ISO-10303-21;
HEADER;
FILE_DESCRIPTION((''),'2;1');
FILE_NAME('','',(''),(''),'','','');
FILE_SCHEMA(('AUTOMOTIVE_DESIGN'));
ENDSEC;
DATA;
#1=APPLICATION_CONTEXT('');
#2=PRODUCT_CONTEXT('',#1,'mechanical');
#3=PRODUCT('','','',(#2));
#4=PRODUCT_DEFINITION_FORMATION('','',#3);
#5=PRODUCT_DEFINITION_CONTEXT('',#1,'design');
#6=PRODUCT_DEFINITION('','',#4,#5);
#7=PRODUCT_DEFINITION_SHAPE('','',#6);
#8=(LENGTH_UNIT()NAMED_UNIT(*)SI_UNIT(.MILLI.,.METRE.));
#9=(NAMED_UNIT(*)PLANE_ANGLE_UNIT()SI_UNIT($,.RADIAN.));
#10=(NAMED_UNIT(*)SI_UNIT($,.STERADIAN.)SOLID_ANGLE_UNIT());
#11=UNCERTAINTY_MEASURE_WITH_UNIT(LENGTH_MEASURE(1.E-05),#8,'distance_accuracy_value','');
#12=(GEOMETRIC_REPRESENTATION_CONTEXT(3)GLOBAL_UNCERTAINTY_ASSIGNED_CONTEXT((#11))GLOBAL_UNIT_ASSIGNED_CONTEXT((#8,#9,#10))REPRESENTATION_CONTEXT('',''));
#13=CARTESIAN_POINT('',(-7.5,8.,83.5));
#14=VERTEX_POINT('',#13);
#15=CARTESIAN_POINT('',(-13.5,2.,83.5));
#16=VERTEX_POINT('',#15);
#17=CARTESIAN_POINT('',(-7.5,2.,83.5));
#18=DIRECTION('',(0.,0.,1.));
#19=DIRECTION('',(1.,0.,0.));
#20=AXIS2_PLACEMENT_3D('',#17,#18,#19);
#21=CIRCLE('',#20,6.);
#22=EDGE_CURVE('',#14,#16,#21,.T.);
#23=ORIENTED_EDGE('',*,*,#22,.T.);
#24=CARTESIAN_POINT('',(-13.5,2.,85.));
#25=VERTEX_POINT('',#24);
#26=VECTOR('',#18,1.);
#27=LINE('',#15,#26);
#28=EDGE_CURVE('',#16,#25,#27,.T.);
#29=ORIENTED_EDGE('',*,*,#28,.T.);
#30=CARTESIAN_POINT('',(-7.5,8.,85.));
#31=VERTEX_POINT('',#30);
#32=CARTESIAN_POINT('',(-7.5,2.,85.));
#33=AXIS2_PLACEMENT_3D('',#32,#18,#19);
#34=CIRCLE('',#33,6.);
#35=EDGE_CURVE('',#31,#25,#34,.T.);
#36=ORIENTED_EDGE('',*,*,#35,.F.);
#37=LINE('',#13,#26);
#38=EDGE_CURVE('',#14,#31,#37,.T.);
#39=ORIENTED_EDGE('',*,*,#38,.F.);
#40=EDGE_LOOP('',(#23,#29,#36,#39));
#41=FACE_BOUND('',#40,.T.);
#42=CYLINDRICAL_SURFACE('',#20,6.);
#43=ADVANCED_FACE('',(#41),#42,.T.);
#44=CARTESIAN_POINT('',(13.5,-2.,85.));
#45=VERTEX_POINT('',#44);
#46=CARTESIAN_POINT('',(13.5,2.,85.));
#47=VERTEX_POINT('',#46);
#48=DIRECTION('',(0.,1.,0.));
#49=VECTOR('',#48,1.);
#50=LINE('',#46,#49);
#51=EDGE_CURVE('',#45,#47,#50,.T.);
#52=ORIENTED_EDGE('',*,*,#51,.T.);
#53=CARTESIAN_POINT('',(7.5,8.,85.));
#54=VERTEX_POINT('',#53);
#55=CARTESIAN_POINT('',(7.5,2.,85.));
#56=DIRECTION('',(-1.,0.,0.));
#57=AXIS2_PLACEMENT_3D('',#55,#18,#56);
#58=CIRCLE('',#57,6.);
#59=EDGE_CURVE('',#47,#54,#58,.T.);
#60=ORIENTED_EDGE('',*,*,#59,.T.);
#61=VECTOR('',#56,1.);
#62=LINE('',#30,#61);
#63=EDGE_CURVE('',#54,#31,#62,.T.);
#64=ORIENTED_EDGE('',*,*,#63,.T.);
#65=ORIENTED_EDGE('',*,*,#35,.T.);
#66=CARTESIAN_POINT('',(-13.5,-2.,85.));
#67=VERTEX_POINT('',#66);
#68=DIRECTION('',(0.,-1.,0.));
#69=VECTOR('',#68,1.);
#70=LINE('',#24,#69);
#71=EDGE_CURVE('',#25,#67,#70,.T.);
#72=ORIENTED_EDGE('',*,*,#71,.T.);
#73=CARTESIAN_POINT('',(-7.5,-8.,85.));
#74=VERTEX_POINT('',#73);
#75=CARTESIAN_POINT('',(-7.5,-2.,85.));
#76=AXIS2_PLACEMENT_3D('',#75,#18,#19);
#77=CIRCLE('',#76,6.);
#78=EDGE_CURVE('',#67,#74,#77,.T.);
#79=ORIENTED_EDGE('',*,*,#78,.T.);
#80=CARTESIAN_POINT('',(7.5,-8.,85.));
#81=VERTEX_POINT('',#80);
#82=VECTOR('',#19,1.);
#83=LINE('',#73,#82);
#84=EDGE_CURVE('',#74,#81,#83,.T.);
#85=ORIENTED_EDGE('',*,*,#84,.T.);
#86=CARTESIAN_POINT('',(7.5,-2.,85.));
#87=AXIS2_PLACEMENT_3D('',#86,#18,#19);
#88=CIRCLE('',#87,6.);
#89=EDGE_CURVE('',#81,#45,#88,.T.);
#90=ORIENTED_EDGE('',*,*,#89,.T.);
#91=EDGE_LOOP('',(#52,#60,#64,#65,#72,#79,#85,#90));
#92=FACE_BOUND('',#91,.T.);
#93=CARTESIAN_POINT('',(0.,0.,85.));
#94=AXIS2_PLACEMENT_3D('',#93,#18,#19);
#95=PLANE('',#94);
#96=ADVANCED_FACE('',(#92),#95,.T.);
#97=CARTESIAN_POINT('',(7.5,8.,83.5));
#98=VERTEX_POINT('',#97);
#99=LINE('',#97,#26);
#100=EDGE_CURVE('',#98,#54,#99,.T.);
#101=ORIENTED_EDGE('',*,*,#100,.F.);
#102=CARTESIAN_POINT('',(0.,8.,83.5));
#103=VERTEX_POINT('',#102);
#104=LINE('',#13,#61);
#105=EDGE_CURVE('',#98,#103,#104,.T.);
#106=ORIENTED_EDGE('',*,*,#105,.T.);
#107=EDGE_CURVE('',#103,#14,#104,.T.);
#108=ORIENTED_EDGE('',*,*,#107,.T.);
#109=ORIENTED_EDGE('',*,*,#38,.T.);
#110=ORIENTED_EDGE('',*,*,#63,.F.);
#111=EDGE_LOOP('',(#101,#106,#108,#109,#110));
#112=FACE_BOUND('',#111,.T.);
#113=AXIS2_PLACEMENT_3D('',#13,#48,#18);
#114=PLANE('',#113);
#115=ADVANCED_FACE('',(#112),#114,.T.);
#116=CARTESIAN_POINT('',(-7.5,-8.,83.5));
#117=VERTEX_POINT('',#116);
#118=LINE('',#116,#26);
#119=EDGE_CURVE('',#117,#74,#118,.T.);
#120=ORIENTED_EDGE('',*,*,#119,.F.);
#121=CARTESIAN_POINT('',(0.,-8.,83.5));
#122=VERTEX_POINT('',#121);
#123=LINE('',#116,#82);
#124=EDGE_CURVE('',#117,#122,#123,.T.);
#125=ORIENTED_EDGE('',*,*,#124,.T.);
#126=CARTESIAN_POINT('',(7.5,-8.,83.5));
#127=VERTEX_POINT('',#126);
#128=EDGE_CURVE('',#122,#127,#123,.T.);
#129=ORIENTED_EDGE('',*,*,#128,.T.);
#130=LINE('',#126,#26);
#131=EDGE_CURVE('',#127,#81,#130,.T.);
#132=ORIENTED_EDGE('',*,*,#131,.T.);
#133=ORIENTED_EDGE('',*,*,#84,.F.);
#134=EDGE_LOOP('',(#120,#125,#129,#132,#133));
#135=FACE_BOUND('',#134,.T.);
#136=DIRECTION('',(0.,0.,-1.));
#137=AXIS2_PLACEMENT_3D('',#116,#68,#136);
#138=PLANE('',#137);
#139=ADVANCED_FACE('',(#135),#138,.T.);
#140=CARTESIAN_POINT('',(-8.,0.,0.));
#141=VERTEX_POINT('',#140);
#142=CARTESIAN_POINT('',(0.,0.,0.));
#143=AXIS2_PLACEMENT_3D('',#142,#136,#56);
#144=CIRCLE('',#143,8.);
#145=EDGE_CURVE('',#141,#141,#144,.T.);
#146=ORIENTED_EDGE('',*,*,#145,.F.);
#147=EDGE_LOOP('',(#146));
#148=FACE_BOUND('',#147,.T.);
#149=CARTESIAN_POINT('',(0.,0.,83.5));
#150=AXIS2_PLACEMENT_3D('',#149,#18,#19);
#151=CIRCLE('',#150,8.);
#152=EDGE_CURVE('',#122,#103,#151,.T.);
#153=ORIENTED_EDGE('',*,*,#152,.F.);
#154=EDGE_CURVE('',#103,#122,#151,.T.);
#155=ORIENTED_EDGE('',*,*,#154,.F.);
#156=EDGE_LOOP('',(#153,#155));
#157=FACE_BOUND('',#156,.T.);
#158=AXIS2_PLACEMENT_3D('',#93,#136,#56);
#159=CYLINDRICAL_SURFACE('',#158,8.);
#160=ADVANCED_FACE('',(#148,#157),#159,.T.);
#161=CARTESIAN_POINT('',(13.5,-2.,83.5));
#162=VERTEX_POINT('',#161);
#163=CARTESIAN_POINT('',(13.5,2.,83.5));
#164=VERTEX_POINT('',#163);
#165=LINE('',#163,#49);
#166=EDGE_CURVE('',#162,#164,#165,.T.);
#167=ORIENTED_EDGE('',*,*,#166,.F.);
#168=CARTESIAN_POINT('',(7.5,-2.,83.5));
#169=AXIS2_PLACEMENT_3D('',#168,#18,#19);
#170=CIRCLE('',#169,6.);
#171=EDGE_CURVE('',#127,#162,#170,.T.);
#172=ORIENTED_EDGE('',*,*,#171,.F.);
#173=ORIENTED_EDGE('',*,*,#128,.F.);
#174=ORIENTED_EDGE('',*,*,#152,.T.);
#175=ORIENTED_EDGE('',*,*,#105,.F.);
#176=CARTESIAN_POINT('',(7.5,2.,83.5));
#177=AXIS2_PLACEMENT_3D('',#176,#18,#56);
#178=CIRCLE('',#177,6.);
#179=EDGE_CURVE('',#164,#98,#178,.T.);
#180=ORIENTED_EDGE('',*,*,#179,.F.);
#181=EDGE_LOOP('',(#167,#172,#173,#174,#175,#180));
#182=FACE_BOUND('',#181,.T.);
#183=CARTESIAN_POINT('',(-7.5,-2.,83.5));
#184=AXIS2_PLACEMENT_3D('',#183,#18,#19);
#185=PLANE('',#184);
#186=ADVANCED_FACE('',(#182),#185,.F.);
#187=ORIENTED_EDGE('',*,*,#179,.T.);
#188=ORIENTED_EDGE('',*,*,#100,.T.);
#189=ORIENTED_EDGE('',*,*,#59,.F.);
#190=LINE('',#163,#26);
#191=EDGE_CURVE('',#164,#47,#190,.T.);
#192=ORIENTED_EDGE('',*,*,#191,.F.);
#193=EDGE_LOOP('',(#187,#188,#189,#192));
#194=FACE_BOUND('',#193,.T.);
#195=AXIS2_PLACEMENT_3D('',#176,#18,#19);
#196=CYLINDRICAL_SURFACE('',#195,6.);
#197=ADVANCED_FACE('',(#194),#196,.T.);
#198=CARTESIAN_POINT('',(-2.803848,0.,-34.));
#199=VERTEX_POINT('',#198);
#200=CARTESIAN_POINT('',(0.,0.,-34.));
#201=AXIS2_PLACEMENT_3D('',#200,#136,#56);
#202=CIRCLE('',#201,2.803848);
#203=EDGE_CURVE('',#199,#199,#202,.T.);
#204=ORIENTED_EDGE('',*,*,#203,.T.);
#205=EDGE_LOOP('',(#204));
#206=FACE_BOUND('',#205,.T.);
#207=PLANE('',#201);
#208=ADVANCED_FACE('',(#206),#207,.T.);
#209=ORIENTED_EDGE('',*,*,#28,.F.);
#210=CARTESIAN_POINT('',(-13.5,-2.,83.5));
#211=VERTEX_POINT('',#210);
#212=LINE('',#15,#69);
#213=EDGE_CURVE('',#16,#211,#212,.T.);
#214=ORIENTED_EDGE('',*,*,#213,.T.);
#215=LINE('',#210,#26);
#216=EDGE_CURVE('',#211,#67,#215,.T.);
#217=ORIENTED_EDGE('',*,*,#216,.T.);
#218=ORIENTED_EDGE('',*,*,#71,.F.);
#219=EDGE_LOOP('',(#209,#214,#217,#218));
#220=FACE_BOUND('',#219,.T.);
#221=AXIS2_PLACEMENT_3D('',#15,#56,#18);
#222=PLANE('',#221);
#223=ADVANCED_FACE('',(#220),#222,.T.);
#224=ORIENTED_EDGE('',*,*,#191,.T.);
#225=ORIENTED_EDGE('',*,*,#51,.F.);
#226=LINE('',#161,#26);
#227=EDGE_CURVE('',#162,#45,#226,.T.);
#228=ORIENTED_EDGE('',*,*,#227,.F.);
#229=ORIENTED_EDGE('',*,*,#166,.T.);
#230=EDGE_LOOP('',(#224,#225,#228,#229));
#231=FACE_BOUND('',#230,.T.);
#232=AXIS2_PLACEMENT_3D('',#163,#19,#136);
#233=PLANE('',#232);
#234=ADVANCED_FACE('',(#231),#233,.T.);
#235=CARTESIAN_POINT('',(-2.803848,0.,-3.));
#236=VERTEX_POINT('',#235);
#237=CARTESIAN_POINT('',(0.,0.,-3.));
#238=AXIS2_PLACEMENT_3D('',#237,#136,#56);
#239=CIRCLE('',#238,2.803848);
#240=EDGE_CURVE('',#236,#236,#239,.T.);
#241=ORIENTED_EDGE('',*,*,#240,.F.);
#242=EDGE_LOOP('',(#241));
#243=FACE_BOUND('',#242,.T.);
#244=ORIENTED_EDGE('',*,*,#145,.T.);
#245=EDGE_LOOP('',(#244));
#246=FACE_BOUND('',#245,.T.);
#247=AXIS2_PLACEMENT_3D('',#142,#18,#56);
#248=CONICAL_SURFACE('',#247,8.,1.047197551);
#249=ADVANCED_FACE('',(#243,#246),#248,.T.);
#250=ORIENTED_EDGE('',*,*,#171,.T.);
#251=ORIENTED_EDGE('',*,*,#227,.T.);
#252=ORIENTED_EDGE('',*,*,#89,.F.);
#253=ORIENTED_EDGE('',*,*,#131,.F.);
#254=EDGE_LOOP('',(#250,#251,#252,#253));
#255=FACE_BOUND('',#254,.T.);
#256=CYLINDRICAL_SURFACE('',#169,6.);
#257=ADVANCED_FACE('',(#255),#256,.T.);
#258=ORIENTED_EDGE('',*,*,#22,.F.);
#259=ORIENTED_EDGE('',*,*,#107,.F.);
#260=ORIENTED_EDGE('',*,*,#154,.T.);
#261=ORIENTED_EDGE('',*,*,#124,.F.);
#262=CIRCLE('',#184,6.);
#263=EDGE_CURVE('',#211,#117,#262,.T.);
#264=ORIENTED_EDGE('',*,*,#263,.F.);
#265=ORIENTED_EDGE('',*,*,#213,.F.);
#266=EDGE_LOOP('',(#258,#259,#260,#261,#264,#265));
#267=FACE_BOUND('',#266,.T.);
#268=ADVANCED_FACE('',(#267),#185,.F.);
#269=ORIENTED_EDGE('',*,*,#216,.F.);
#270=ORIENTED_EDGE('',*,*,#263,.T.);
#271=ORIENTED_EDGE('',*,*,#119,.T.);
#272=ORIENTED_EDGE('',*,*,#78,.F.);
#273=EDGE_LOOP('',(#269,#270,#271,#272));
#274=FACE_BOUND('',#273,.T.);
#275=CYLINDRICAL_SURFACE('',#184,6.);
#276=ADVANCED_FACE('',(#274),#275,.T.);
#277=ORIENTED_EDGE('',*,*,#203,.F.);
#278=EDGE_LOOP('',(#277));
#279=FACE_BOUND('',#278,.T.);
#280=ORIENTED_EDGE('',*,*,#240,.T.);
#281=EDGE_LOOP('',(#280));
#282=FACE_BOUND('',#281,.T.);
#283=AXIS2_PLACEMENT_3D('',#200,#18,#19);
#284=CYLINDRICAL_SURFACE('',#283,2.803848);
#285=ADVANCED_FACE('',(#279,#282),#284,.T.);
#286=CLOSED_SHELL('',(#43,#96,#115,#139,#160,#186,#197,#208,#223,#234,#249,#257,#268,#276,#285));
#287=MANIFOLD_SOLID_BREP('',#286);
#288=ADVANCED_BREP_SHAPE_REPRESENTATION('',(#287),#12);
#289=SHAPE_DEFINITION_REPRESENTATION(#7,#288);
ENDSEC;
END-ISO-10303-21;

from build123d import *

# Parameters (mm, degrees)
SKETCH1_R           = 8
BOSS_EXTRUDE1_DEPTH = 85
SKETCH2_R           = 8
BOSS_EXTRUDE3_DEPTH = 3
BOSS_EXTRUDE3_TAPER = 60
SKETCH3_R           = 2.803847577
BOSS_EXTRUDE4_DEPTH = 31
BOSS_EXTRUDE5_DEPTH = 1.5


with BuildPart() as part:
    # Sketch1 → Boss-Extrude1 (new body)
    with BuildSketch(Plane(origin=(0, 0, 0), x_dir=(0, 1, 0), z_dir=(0, 0, 1))):
        with Locations(Location((0, 0, 0), (0, 0, 270))):
            Circle(SKETCH1_R)
    extrude(amount=BOSS_EXTRUDE1_DEPTH)

    # Sketch2 → Boss-Extrude3 (add)
    with BuildSketch(Plane(origin=(0, 0, 0), x_dir=(1, 0, 0), z_dir=(0, 0, -1))):
        with Locations(Location((0, 0, 0), (0, 0, 180))):
            Circle(SKETCH2_R)
    extrude(amount=BOSS_EXTRUDE3_DEPTH, taper=BOSS_EXTRUDE3_TAPER)

    # Sketch3 → Boss-Extrude4 (add)
    with BuildSketch(Plane(origin=(0, 0, -3), x_dir=(1, 0, 0), z_dir=(0, 0, -1))):
        with Locations(Location((0, 0, 0), (0, 0, 180))):
            Circle(SKETCH3_R)
    extrude(amount=BOSS_EXTRUDE4_DEPTH)

    # Sketch4 → Boss-Extrude5 (add)
    with BuildSketch(Plane.XY.offset(85)):
        with BuildLine():
            Line((-7.5, 8), (7.5, 8))
            ThreePointArc((7.5, 8), (11.742640687, 6.242640687), (13.5, 2))
            Line((13.5, 2), (13.5, -2))
            ThreePointArc((13.5, -2), (11.742640687, -6.242640687), (7.5, -8))
            Line((7.5, -8), (-7.5, -8))
            ThreePointArc((-7.5, -8), (-11.742640687, -6.242640687), (-13.5, -2))
            Line((-13.5, -2), (-13.5, 2))
            ThreePointArc((-13.5, 2), (-11.742640687, 6.242640687), (-7.5, 8))
        make_face()
    extrude(amount=-BOSS_EXTRUDE5_DEPTH)


solid = part.part
